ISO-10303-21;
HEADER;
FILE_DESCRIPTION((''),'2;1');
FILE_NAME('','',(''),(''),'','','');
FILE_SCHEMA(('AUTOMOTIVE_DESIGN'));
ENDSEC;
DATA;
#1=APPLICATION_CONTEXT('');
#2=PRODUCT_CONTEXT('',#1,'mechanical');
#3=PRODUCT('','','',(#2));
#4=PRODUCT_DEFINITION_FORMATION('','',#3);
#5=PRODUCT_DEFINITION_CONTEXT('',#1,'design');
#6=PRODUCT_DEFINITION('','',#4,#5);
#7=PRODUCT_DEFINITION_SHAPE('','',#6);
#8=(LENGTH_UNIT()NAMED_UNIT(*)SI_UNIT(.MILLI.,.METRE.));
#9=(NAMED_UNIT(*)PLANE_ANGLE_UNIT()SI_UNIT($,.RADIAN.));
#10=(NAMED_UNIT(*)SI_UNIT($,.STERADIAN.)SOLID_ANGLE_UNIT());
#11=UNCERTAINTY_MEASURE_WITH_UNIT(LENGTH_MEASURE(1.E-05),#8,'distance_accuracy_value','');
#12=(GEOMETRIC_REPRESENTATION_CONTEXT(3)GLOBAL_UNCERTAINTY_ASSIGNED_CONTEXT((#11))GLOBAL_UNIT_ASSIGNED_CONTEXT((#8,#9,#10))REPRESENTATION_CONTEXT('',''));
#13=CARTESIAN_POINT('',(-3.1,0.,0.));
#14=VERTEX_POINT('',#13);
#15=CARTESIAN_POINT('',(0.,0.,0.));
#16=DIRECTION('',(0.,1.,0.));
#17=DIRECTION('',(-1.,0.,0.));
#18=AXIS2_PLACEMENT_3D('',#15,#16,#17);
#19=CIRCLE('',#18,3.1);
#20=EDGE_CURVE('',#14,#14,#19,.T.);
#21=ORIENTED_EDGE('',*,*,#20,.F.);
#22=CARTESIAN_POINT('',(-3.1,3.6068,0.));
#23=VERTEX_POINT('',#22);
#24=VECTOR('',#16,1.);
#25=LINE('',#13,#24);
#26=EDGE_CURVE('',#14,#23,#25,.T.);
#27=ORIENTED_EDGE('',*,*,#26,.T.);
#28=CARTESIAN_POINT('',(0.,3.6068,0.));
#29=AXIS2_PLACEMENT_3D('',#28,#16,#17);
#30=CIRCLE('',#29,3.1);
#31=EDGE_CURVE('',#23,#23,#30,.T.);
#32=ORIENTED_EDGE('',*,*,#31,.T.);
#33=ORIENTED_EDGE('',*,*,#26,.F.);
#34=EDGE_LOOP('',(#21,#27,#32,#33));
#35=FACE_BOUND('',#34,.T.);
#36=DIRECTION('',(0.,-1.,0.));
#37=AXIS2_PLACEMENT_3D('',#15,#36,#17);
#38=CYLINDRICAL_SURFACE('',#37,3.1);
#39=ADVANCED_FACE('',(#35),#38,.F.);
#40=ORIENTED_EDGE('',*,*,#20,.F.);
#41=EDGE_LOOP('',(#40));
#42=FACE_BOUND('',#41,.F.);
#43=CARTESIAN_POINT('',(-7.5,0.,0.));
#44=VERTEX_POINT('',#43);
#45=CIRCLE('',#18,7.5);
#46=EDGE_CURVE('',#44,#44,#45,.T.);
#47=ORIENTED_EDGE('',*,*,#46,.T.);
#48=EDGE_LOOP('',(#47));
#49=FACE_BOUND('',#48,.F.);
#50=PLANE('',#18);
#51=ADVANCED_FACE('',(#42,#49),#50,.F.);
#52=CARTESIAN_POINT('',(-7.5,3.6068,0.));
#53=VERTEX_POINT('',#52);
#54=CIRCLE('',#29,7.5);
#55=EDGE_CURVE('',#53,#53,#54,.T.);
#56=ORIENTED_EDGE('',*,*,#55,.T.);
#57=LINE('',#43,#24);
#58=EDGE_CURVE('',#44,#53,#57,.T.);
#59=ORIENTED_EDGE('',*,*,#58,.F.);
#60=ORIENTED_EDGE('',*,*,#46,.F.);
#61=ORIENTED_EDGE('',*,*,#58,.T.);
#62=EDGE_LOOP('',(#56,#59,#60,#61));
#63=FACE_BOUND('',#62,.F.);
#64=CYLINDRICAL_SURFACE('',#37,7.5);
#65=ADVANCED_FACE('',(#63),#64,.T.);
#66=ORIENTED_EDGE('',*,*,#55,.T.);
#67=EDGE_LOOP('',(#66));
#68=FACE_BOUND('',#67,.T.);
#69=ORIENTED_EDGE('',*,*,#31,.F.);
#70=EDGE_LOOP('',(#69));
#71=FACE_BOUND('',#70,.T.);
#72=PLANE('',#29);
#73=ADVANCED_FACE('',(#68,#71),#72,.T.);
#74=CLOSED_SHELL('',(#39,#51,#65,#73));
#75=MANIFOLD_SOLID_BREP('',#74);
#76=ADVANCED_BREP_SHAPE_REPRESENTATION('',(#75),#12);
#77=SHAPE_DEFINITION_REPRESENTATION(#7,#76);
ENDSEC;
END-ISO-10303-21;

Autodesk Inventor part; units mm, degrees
ref_plane "YZ Plane" through (0, 0, 0) normal (1, 0, 0) x (0, 1, 0)
ref_plane "XZ Plane" through (0, 0, 0) normal (0, 1, 0) x (-1, 0, 0)
ref_plane "XY Plane" through (0, 0, 0) normal (0, 0, 1) x (1, 0, 0)
sketch "Sketch1" plane through (0, 0, 0) normal (0, 1, 0) x (-1, 0, 0)
  circle A0 centre (0, 0) radius 7.5
  circle A1 centre (0, 0) radius 3.1
  dimension "d0" = 15
  dimension "d1" = 6.2
extrude "Extrusion1" add sketch "Sketch1" along normal blind 3.6068
properties part number "PicoBoxInsideSpacers"
